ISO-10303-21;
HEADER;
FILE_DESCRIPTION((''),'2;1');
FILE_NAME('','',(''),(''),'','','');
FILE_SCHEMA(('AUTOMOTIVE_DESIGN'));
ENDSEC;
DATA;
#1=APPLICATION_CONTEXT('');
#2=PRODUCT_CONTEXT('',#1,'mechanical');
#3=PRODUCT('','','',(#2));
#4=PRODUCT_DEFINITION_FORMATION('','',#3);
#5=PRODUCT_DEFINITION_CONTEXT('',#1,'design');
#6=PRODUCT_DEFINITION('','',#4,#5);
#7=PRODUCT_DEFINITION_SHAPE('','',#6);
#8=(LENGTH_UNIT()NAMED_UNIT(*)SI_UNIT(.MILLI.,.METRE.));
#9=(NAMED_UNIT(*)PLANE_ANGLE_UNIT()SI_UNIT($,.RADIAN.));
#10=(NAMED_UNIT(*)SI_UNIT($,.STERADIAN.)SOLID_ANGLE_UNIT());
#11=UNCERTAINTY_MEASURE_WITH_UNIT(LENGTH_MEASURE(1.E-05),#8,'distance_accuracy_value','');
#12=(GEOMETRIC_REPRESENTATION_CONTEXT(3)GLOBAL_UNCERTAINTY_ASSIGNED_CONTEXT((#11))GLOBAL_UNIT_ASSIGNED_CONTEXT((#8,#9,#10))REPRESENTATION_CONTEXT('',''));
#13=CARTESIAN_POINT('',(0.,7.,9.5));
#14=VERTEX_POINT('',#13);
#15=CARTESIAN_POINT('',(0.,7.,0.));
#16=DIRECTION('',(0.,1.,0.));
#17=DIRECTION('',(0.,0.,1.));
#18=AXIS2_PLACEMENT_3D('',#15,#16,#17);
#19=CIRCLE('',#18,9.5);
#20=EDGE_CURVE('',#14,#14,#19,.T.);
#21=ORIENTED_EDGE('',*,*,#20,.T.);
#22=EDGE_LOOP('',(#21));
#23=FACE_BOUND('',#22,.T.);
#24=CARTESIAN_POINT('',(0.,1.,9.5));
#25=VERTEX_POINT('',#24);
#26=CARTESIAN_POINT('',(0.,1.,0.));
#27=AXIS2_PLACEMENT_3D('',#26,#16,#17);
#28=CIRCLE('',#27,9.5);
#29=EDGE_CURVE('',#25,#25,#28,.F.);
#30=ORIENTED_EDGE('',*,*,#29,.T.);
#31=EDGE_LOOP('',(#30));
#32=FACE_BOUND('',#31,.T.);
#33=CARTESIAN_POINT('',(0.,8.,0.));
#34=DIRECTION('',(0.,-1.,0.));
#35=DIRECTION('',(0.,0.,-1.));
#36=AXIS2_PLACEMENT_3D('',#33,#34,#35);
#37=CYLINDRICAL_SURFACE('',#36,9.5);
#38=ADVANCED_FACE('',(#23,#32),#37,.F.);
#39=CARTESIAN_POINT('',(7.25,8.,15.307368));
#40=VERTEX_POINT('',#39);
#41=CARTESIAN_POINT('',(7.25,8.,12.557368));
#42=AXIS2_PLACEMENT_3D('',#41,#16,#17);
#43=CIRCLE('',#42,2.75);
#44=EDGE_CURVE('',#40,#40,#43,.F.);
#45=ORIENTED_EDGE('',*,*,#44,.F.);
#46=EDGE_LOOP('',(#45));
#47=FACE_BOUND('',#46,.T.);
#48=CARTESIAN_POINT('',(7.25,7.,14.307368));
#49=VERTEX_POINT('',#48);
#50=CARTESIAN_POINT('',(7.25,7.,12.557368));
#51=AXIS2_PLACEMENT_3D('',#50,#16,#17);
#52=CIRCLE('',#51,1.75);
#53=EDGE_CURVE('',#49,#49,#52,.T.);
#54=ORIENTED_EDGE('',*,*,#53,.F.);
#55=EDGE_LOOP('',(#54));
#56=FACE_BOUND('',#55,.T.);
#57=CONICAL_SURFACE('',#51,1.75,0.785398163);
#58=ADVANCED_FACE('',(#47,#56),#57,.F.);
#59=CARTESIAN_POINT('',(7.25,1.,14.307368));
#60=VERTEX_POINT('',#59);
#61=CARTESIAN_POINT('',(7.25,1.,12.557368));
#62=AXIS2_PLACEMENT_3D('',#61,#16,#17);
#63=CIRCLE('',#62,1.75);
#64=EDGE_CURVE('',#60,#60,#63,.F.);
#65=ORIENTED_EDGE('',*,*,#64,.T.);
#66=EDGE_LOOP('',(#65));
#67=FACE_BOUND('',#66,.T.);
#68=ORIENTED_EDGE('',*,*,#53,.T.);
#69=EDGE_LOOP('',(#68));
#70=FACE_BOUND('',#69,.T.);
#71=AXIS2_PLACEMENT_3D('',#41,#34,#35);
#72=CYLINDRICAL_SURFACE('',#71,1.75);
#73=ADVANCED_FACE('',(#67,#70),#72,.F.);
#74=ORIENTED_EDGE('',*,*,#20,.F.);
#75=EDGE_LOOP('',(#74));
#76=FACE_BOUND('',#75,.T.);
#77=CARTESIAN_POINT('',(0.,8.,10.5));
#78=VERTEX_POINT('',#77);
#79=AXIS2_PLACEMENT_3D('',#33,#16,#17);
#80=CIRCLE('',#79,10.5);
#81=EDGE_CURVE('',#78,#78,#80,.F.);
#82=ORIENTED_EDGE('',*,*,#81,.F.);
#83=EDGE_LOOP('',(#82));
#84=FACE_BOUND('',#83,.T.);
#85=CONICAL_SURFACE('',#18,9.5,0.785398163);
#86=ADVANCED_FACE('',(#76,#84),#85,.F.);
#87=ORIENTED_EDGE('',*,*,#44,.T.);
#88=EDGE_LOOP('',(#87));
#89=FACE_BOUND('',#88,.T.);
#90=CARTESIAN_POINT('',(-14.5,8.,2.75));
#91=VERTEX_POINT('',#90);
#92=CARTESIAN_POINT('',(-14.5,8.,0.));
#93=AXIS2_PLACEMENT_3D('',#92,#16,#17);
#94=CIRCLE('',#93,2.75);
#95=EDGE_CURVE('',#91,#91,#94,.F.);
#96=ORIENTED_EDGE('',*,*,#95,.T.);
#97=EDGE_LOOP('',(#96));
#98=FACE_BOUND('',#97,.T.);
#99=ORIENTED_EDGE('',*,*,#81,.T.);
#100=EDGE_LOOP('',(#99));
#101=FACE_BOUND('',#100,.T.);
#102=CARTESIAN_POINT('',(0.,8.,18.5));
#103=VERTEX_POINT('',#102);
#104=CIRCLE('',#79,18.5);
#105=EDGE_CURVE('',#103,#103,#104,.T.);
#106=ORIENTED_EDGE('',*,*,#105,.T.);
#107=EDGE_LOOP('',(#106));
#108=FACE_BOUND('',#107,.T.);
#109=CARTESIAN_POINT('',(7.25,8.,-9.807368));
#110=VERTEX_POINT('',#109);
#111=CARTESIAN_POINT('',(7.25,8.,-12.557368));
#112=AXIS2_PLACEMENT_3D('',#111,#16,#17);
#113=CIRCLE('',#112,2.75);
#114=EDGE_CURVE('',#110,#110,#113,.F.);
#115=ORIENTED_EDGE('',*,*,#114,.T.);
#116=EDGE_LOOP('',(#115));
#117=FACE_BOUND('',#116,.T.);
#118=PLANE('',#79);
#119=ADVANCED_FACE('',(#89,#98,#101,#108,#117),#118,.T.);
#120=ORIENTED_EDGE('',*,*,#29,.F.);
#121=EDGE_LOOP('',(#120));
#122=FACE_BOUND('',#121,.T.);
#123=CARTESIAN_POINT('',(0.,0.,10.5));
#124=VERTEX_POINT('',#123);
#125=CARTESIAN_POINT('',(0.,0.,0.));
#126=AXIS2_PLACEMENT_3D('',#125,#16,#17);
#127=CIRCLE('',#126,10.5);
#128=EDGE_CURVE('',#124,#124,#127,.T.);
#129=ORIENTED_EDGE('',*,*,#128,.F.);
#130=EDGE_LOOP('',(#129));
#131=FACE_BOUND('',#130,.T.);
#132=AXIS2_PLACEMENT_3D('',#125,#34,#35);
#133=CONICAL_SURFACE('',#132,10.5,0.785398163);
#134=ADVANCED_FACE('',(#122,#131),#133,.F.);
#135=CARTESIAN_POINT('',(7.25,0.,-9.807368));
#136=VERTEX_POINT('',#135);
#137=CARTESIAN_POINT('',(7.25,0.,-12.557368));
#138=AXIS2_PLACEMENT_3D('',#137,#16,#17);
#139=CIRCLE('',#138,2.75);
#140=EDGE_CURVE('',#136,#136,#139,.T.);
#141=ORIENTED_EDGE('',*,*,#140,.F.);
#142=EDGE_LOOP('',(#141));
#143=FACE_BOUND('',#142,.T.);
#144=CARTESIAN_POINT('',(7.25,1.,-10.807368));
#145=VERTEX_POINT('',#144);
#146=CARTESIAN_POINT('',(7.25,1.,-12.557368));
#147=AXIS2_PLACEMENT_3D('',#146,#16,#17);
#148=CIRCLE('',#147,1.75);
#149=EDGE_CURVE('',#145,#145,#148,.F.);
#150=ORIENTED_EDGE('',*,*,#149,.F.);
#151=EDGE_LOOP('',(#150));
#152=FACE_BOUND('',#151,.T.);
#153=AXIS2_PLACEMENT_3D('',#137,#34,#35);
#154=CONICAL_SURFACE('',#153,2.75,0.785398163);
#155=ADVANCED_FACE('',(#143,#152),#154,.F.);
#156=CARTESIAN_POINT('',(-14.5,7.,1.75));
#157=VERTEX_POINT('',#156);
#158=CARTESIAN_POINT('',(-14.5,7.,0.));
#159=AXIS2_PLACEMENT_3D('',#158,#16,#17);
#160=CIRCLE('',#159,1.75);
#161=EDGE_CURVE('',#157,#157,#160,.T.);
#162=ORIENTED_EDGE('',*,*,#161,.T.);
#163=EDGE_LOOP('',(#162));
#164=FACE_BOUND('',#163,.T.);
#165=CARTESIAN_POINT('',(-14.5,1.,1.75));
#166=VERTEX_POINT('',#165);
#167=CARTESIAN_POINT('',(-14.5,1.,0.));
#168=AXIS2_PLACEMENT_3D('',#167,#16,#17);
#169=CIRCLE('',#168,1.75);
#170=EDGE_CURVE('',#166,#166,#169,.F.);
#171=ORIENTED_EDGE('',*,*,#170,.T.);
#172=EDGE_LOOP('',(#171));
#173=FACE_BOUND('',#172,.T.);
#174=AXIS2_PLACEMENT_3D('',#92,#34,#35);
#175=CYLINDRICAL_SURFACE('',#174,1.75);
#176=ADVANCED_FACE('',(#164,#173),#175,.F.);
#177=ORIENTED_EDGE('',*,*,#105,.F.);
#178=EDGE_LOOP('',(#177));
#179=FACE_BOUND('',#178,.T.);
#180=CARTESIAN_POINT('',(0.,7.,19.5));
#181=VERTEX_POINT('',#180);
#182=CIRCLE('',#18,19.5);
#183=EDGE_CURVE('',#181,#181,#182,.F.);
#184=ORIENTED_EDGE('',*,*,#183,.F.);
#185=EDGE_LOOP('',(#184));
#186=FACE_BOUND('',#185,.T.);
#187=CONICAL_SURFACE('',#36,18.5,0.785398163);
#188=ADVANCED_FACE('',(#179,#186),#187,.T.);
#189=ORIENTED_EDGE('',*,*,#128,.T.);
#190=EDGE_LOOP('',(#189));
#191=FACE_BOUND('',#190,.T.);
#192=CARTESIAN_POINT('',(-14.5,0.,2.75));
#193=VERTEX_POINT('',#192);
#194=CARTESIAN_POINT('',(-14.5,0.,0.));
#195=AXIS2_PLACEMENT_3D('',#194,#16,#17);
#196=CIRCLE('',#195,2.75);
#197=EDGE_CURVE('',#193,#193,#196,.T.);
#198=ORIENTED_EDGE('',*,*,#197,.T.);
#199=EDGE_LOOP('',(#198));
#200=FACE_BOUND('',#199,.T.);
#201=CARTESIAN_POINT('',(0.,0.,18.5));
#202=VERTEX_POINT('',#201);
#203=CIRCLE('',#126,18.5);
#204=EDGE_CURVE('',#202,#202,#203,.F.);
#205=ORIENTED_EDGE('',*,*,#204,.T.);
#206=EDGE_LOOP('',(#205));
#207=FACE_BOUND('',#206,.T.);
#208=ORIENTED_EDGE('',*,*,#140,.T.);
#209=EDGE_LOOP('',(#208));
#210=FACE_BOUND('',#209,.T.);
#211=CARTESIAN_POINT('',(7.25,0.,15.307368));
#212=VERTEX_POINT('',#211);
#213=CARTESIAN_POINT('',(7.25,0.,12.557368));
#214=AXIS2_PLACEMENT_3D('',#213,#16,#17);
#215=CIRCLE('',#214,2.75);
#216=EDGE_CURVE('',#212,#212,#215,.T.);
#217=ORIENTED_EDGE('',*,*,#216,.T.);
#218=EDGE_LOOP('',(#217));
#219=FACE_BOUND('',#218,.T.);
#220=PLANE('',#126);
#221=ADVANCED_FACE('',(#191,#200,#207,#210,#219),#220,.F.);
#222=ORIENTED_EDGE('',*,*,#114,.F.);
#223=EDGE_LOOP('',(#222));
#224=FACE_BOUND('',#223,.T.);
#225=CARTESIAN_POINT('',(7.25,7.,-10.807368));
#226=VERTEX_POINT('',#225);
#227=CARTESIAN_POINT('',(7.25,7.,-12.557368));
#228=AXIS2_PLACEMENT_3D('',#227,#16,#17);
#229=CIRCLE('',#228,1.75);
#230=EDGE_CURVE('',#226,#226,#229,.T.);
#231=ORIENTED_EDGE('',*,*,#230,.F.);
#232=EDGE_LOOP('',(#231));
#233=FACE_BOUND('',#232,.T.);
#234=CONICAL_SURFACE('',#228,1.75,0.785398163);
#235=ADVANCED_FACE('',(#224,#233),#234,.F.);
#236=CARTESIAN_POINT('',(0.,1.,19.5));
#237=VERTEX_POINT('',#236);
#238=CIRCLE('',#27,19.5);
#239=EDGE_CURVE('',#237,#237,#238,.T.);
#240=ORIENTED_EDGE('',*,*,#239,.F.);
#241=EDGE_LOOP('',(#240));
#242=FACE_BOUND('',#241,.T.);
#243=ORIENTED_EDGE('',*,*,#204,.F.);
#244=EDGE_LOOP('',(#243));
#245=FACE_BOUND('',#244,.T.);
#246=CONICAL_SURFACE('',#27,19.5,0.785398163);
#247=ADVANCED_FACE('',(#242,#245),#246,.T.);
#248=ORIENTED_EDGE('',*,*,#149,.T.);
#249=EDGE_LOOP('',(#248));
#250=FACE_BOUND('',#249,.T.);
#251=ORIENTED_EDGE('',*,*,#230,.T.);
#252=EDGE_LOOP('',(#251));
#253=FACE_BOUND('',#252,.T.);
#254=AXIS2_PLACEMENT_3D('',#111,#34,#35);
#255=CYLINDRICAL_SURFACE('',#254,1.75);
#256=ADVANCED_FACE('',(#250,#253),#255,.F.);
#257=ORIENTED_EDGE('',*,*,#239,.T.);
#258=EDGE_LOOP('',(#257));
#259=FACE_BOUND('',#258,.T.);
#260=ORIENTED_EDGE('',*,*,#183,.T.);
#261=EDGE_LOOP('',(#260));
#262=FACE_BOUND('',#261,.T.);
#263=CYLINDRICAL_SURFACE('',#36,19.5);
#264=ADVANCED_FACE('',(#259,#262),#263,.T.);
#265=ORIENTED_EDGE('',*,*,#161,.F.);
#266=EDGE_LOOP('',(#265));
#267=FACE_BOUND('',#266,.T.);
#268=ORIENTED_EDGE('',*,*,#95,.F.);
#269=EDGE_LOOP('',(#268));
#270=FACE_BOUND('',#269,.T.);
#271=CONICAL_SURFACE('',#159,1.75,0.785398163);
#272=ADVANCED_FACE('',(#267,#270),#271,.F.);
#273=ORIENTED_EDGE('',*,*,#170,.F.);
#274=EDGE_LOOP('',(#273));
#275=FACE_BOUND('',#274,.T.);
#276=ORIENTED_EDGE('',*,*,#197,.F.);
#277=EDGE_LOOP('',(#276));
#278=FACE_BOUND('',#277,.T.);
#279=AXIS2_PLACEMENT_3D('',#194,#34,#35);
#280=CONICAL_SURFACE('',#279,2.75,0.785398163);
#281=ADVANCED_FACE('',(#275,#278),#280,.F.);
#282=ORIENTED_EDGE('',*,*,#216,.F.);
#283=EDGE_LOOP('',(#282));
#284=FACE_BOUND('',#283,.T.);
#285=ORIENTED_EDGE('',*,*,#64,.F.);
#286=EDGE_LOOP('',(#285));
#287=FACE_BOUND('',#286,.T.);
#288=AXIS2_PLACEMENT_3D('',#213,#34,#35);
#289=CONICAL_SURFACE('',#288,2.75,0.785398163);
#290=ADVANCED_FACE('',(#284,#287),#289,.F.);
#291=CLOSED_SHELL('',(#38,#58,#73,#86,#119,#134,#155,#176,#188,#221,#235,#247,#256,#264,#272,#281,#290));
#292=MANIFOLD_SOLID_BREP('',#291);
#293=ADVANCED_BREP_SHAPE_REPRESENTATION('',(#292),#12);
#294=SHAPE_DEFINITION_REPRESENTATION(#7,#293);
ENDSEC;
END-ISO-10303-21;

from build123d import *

# Parameters (mm, degrees)
SKETCH1_R           = 19.5
SKETCH1_R_2         = 9.5
SKETCH1_R_3         = 1.75
BOSS_EXTRUDE1_DEPTH = 8
CHAMFER1_SIZE       = 1


with BuildPart() as part:
    # Sketch1 → Boss-Extrude1 (new body)
    with BuildSketch(Plane(origin=(0, 0, 0), x_dir=(1, 0, 0), z_dir=(0, 1, 0))):
        with Locations(Location((0, 0, 0), (0, 0, 270))):
            Circle(SKETCH1_R)
        with Locations(Location((0, 0, 0), (0, 0, 270))):
            Circle(SKETCH1_R_2, mode=Mode.SUBTRACT)
        with Locations(Location((-14.5, 0, 0), (0, 0, 270))):
            Circle(SKETCH1_R_3, mode=Mode.SUBTRACT)
        with Locations(Location((7.25, 12.557368355, 0), (0, 0, 270))):
            Circle(SKETCH1_R_3, mode=Mode.SUBTRACT)
        with Locations(Location((7.25, -12.557368355, 0), (0, 0, 270))):
            Circle(SKETCH1_R_3, mode=Mode.SUBTRACT)
    extrude(amount=BOSS_EXTRUDE1_DEPTH)

    # Chamfer1
    chamfer1_edges = [part.edges().sort_by_distance(p)[0] for p in [
        (7.25, 0, -14.307368355),
        (7.25, 8, -14.307368355),
        (7.25, 0, 10.807368355),
        (7.25, 8, 10.807368355),
        (0, 0, -19.5),
        (0, 8, -19.5),
        (0, 0, -9.5),
        (0, 8, -9.5),
        (-14.5, 0, -1.75),
        (-14.5, 8, -1.75),
    ]]
    chamfer(chamfer1_edges, length=CHAMFER1_SIZE)


solid = part.part
